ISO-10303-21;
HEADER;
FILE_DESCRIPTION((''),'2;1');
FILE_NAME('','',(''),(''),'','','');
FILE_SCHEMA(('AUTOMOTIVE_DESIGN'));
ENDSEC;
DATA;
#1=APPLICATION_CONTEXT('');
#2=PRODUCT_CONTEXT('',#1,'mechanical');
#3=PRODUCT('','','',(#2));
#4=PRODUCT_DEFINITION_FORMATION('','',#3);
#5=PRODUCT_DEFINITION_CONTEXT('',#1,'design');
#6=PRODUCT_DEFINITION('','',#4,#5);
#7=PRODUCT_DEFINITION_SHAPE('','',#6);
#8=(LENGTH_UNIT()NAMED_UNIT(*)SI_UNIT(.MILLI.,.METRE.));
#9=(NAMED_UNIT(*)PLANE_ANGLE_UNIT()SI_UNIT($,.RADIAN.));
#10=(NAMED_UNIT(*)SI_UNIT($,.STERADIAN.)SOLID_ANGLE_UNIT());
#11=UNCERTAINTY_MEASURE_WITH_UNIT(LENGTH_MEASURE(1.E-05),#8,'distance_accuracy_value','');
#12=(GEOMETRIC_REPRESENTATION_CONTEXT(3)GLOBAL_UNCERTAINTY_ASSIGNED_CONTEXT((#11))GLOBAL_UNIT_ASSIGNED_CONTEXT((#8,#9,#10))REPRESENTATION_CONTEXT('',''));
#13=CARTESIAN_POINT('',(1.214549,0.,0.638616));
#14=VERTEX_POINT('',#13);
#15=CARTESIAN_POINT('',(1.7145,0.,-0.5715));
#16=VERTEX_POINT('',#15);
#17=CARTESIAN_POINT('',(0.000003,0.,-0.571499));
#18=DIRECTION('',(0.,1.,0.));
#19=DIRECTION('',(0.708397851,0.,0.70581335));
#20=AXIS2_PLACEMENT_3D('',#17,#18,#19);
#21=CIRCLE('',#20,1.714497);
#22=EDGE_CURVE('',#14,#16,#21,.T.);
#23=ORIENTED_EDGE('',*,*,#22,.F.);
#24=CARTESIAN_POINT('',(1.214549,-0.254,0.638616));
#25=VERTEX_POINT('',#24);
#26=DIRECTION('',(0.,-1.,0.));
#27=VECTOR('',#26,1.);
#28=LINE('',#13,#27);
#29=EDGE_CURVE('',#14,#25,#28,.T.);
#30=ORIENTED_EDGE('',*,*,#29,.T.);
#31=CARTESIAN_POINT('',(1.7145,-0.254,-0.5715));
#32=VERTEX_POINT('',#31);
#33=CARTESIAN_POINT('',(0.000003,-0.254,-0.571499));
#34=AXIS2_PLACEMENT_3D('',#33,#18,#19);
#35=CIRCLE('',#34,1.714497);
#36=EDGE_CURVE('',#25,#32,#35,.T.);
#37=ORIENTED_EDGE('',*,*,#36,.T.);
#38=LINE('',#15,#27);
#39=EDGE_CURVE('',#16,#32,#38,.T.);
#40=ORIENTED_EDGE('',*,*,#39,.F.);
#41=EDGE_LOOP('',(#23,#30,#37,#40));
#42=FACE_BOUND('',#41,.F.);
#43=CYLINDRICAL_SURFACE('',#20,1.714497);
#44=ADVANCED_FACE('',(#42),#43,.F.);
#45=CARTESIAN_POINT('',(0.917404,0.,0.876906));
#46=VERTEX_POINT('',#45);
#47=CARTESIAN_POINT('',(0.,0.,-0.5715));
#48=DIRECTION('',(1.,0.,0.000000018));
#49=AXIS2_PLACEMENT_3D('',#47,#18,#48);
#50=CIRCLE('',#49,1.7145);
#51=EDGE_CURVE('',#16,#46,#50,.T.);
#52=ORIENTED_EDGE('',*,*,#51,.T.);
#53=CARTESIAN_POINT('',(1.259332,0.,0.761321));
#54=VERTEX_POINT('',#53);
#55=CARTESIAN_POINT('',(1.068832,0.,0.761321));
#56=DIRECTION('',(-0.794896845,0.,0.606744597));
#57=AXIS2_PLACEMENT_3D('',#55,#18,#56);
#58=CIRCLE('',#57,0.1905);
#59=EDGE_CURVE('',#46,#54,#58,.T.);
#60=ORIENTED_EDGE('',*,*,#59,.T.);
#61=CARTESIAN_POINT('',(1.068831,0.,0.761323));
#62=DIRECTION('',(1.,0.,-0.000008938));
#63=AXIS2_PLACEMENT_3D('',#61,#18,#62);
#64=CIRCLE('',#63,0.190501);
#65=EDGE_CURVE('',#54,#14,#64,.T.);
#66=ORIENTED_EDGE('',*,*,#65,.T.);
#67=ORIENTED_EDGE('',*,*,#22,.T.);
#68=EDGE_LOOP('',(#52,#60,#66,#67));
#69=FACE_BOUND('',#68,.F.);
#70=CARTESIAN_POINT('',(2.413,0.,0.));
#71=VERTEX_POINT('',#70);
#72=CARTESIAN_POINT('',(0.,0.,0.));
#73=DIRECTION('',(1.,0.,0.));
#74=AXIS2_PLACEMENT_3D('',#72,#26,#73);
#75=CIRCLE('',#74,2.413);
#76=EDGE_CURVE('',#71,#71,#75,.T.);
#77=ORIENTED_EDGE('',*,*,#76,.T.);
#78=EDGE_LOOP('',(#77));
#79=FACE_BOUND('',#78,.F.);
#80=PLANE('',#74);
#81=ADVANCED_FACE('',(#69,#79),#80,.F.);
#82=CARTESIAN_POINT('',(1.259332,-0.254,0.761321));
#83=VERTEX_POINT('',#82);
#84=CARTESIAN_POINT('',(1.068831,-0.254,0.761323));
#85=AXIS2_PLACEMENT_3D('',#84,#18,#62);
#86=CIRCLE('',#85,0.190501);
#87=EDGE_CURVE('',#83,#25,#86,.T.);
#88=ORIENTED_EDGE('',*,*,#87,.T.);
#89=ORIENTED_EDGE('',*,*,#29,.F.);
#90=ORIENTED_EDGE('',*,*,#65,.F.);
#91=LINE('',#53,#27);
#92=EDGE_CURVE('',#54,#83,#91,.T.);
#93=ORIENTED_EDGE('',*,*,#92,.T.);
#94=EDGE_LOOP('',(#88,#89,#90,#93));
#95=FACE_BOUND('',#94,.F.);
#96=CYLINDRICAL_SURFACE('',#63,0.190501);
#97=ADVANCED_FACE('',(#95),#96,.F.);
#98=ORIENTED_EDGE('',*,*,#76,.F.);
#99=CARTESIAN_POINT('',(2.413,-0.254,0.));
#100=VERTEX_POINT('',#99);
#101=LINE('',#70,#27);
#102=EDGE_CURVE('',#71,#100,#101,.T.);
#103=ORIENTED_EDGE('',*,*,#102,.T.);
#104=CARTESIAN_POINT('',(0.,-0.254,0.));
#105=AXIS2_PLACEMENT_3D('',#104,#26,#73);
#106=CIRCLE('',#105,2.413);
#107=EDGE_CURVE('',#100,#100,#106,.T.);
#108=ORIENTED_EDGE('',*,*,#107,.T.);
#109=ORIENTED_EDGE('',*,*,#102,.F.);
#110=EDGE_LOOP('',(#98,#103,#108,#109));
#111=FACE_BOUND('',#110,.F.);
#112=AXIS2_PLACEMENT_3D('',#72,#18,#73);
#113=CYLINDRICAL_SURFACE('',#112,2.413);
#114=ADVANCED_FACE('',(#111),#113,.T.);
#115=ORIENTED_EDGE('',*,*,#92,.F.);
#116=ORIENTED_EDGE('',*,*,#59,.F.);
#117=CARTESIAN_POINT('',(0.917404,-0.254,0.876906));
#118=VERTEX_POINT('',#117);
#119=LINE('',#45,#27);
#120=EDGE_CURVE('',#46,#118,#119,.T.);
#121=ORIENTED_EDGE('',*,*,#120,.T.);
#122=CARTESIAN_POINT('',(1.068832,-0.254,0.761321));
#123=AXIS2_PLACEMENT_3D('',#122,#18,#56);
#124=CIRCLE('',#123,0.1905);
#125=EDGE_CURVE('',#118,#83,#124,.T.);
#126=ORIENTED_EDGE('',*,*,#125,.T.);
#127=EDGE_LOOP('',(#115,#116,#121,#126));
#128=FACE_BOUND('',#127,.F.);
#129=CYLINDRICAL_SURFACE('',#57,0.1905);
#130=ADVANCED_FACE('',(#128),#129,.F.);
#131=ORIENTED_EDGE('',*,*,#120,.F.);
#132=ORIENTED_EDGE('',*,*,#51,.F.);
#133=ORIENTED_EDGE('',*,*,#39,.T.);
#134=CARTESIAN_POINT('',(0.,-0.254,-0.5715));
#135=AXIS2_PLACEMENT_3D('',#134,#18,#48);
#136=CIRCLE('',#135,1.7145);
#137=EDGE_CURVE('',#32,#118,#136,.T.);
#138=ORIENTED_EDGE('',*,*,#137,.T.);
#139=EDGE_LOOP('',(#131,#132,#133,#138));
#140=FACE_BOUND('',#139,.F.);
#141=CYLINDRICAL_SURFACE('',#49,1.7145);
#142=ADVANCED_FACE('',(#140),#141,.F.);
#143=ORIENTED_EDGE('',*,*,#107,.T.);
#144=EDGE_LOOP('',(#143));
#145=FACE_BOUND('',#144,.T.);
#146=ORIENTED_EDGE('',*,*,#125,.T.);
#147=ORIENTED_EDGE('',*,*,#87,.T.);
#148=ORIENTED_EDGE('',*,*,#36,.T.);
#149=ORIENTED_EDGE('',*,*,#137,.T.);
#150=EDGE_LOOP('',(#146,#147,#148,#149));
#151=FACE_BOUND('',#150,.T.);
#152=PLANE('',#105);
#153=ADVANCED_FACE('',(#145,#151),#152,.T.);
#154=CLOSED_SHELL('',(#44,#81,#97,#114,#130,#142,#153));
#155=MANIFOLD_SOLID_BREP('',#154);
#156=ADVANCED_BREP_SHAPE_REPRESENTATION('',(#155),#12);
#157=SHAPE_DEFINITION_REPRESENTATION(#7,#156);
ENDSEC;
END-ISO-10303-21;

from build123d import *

# Parameters (mm, degrees)
F0_R     = 2.413
F1_DEPTH = 0.254


with BuildPart() as f1:
    # F0 (on Front) → F1 (new body)
    with BuildSketch(Plane.XZ):
        Circle(F0_R)
        with BuildLine():
            ThreePointArc((1.259332, 0.761321), (1.247786, 0.69601), (1.214549, 0.638616))
            ThreePointArc((1.214549, 0.638616), (1.584591, 0.083162), (1.7145, -0.5715))
            ThreePointArc((1.7145, -0.5715), (-1.502065, -1.398126), (0.917404, 0.876906))
            ThreePointArc((0.917404, 0.876906), (1.129837, 0.941789), (1.259332, 0.761321))
        make_face(mode=Mode.SUBTRACT)
    extrude(amount=F1_DEPTH)


solid = f1.part
